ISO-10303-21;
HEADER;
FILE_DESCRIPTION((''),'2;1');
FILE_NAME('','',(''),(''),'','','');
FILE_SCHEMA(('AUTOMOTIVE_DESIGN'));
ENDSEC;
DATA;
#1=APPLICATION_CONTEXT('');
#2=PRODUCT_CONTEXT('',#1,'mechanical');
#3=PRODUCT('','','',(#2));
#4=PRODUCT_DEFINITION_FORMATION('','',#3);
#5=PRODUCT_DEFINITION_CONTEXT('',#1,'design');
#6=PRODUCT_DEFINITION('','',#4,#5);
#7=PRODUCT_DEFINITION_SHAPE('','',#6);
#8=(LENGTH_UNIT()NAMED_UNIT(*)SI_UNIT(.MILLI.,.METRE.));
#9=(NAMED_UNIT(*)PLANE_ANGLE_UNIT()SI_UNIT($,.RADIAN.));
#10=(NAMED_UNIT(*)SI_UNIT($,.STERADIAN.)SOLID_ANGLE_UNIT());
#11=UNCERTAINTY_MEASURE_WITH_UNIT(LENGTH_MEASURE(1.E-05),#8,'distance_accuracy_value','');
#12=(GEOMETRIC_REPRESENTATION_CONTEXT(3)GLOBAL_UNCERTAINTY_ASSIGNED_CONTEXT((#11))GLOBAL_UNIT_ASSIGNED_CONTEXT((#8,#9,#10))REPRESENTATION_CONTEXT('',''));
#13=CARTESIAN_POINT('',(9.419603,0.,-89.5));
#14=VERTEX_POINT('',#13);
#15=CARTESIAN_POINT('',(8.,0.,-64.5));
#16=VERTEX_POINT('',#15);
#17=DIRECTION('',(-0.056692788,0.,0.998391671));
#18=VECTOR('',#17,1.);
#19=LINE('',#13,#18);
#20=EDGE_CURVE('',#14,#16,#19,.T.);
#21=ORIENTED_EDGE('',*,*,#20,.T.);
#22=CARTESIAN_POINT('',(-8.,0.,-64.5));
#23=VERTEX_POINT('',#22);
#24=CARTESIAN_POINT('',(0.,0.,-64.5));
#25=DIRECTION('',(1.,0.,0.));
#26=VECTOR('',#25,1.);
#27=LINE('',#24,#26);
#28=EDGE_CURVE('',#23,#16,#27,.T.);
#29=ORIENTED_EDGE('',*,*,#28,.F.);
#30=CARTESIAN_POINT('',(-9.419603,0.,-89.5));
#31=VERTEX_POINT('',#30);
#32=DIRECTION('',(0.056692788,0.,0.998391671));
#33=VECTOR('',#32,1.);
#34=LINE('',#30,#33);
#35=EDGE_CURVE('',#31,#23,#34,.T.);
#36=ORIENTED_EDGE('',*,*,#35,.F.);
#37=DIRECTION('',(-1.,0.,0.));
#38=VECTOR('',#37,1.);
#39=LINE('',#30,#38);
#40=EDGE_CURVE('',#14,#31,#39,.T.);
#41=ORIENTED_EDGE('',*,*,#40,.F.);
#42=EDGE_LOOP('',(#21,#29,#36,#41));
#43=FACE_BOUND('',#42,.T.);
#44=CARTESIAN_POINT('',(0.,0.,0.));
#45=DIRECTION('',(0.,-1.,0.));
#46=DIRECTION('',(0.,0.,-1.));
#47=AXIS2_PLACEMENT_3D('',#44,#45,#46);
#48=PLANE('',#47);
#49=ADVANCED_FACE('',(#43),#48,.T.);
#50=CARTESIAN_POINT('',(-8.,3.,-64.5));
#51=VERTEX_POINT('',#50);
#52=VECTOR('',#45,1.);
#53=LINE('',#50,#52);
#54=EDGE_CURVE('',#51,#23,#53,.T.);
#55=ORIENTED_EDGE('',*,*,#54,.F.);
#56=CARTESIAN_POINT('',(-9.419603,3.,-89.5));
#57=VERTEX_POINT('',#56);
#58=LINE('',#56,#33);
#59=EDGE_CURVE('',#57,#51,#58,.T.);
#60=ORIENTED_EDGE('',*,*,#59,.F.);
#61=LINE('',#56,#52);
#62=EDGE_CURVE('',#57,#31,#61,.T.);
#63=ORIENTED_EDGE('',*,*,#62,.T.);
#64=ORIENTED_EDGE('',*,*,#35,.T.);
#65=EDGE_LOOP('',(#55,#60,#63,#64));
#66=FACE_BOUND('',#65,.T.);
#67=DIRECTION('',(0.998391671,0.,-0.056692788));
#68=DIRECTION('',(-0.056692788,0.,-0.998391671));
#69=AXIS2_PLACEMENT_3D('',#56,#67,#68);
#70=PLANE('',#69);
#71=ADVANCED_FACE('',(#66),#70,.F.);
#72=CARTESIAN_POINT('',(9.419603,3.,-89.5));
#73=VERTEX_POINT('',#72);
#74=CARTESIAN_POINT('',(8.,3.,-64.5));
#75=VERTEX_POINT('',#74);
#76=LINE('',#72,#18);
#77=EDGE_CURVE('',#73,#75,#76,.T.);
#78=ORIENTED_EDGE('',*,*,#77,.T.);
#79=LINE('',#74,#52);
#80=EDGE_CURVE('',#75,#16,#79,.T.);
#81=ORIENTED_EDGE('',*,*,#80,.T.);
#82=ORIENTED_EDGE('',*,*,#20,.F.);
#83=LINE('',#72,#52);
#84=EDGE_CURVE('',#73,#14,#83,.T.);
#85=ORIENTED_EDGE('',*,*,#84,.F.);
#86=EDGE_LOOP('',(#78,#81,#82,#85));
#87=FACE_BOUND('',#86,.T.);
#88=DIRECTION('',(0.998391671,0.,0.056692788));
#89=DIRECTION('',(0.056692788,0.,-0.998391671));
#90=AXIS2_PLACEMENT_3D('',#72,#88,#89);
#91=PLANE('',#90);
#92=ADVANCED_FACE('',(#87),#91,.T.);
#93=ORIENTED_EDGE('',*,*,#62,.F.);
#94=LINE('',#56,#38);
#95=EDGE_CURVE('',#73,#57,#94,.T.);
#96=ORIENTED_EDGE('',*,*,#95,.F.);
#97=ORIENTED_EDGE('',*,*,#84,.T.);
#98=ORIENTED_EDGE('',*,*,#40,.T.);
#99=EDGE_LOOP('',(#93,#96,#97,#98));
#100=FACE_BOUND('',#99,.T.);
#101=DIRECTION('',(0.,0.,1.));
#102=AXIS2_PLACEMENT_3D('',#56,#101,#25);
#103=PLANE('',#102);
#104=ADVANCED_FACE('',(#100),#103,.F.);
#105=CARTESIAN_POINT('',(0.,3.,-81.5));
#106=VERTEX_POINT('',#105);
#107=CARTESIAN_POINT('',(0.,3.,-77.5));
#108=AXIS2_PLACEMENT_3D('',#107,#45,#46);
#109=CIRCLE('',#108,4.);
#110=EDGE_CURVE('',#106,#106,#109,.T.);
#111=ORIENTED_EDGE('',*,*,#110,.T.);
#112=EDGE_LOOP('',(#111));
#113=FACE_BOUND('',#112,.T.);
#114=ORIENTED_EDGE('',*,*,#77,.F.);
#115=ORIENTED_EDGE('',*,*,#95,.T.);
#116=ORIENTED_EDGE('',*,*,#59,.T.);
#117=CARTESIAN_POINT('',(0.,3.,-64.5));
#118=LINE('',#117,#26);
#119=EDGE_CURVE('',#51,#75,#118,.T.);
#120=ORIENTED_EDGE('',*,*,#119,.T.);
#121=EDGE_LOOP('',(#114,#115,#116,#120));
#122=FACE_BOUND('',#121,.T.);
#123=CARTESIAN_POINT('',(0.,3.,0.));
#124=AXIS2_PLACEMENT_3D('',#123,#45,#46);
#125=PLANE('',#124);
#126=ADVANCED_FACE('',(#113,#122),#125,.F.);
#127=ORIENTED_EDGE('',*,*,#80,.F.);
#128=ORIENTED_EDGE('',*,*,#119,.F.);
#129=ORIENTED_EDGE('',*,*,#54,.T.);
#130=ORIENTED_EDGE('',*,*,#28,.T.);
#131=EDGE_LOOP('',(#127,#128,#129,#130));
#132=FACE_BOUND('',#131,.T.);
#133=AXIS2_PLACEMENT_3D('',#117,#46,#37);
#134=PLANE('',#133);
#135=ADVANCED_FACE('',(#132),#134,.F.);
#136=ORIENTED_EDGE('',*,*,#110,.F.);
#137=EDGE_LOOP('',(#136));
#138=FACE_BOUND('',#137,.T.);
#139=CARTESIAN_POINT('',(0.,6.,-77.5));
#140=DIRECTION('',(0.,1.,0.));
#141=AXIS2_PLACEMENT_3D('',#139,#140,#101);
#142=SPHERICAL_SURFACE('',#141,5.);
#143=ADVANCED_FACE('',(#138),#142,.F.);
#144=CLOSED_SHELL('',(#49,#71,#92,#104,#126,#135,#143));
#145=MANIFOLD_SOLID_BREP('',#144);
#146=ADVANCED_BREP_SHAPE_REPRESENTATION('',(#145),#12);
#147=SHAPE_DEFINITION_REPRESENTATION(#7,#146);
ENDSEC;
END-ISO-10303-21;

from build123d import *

# Parameters (mm, degrees)
BOSS_EXTRUDE1_DEPTH = 3


with BuildPart() as part:
    # Sketch1 → Boss-Extrude1 (new body)
    with BuildSketch(Plane(origin=(0, 0, 0), x_dir=(1, 0, 0), z_dir=(0, 1, 0))):
        Polygon((-9.419602878, 89.5), (-8, 64.5), (0, 64.5), (0, 89.5), align=None)
    boss_extrude1 = extrude(amount=BOSS_EXTRUDE1_DEPTH)

    # Mirror1: Boss-Extrude1 across plane
    add(boss_extrude1.mirror(Plane(origin=(0, 0, 0), x_dir=(0, 0, 1), z_dir=(1, 0, 0))))

    # Sketch2 → Cut-Revolve1 (revolve, cut)
    with BuildSketch(Plane(origin=(0, 0, 0), x_dir=(0, 0, -1), z_dir=(1, 0, 0))):
        with BuildLine():
            Line((72.5, 6), (77.5, 6))
            Line((77.5, 6), (77.5, 1))
            ThreePointArc((77.5, 1), (73.964466094, 2.464466094), (72.5, 6))
        make_face()
    revolve(axis=Axis((0, 6, -77.5), (0, -1, 0)), mode=Mode.SUBTRACT)


solid = part.part
